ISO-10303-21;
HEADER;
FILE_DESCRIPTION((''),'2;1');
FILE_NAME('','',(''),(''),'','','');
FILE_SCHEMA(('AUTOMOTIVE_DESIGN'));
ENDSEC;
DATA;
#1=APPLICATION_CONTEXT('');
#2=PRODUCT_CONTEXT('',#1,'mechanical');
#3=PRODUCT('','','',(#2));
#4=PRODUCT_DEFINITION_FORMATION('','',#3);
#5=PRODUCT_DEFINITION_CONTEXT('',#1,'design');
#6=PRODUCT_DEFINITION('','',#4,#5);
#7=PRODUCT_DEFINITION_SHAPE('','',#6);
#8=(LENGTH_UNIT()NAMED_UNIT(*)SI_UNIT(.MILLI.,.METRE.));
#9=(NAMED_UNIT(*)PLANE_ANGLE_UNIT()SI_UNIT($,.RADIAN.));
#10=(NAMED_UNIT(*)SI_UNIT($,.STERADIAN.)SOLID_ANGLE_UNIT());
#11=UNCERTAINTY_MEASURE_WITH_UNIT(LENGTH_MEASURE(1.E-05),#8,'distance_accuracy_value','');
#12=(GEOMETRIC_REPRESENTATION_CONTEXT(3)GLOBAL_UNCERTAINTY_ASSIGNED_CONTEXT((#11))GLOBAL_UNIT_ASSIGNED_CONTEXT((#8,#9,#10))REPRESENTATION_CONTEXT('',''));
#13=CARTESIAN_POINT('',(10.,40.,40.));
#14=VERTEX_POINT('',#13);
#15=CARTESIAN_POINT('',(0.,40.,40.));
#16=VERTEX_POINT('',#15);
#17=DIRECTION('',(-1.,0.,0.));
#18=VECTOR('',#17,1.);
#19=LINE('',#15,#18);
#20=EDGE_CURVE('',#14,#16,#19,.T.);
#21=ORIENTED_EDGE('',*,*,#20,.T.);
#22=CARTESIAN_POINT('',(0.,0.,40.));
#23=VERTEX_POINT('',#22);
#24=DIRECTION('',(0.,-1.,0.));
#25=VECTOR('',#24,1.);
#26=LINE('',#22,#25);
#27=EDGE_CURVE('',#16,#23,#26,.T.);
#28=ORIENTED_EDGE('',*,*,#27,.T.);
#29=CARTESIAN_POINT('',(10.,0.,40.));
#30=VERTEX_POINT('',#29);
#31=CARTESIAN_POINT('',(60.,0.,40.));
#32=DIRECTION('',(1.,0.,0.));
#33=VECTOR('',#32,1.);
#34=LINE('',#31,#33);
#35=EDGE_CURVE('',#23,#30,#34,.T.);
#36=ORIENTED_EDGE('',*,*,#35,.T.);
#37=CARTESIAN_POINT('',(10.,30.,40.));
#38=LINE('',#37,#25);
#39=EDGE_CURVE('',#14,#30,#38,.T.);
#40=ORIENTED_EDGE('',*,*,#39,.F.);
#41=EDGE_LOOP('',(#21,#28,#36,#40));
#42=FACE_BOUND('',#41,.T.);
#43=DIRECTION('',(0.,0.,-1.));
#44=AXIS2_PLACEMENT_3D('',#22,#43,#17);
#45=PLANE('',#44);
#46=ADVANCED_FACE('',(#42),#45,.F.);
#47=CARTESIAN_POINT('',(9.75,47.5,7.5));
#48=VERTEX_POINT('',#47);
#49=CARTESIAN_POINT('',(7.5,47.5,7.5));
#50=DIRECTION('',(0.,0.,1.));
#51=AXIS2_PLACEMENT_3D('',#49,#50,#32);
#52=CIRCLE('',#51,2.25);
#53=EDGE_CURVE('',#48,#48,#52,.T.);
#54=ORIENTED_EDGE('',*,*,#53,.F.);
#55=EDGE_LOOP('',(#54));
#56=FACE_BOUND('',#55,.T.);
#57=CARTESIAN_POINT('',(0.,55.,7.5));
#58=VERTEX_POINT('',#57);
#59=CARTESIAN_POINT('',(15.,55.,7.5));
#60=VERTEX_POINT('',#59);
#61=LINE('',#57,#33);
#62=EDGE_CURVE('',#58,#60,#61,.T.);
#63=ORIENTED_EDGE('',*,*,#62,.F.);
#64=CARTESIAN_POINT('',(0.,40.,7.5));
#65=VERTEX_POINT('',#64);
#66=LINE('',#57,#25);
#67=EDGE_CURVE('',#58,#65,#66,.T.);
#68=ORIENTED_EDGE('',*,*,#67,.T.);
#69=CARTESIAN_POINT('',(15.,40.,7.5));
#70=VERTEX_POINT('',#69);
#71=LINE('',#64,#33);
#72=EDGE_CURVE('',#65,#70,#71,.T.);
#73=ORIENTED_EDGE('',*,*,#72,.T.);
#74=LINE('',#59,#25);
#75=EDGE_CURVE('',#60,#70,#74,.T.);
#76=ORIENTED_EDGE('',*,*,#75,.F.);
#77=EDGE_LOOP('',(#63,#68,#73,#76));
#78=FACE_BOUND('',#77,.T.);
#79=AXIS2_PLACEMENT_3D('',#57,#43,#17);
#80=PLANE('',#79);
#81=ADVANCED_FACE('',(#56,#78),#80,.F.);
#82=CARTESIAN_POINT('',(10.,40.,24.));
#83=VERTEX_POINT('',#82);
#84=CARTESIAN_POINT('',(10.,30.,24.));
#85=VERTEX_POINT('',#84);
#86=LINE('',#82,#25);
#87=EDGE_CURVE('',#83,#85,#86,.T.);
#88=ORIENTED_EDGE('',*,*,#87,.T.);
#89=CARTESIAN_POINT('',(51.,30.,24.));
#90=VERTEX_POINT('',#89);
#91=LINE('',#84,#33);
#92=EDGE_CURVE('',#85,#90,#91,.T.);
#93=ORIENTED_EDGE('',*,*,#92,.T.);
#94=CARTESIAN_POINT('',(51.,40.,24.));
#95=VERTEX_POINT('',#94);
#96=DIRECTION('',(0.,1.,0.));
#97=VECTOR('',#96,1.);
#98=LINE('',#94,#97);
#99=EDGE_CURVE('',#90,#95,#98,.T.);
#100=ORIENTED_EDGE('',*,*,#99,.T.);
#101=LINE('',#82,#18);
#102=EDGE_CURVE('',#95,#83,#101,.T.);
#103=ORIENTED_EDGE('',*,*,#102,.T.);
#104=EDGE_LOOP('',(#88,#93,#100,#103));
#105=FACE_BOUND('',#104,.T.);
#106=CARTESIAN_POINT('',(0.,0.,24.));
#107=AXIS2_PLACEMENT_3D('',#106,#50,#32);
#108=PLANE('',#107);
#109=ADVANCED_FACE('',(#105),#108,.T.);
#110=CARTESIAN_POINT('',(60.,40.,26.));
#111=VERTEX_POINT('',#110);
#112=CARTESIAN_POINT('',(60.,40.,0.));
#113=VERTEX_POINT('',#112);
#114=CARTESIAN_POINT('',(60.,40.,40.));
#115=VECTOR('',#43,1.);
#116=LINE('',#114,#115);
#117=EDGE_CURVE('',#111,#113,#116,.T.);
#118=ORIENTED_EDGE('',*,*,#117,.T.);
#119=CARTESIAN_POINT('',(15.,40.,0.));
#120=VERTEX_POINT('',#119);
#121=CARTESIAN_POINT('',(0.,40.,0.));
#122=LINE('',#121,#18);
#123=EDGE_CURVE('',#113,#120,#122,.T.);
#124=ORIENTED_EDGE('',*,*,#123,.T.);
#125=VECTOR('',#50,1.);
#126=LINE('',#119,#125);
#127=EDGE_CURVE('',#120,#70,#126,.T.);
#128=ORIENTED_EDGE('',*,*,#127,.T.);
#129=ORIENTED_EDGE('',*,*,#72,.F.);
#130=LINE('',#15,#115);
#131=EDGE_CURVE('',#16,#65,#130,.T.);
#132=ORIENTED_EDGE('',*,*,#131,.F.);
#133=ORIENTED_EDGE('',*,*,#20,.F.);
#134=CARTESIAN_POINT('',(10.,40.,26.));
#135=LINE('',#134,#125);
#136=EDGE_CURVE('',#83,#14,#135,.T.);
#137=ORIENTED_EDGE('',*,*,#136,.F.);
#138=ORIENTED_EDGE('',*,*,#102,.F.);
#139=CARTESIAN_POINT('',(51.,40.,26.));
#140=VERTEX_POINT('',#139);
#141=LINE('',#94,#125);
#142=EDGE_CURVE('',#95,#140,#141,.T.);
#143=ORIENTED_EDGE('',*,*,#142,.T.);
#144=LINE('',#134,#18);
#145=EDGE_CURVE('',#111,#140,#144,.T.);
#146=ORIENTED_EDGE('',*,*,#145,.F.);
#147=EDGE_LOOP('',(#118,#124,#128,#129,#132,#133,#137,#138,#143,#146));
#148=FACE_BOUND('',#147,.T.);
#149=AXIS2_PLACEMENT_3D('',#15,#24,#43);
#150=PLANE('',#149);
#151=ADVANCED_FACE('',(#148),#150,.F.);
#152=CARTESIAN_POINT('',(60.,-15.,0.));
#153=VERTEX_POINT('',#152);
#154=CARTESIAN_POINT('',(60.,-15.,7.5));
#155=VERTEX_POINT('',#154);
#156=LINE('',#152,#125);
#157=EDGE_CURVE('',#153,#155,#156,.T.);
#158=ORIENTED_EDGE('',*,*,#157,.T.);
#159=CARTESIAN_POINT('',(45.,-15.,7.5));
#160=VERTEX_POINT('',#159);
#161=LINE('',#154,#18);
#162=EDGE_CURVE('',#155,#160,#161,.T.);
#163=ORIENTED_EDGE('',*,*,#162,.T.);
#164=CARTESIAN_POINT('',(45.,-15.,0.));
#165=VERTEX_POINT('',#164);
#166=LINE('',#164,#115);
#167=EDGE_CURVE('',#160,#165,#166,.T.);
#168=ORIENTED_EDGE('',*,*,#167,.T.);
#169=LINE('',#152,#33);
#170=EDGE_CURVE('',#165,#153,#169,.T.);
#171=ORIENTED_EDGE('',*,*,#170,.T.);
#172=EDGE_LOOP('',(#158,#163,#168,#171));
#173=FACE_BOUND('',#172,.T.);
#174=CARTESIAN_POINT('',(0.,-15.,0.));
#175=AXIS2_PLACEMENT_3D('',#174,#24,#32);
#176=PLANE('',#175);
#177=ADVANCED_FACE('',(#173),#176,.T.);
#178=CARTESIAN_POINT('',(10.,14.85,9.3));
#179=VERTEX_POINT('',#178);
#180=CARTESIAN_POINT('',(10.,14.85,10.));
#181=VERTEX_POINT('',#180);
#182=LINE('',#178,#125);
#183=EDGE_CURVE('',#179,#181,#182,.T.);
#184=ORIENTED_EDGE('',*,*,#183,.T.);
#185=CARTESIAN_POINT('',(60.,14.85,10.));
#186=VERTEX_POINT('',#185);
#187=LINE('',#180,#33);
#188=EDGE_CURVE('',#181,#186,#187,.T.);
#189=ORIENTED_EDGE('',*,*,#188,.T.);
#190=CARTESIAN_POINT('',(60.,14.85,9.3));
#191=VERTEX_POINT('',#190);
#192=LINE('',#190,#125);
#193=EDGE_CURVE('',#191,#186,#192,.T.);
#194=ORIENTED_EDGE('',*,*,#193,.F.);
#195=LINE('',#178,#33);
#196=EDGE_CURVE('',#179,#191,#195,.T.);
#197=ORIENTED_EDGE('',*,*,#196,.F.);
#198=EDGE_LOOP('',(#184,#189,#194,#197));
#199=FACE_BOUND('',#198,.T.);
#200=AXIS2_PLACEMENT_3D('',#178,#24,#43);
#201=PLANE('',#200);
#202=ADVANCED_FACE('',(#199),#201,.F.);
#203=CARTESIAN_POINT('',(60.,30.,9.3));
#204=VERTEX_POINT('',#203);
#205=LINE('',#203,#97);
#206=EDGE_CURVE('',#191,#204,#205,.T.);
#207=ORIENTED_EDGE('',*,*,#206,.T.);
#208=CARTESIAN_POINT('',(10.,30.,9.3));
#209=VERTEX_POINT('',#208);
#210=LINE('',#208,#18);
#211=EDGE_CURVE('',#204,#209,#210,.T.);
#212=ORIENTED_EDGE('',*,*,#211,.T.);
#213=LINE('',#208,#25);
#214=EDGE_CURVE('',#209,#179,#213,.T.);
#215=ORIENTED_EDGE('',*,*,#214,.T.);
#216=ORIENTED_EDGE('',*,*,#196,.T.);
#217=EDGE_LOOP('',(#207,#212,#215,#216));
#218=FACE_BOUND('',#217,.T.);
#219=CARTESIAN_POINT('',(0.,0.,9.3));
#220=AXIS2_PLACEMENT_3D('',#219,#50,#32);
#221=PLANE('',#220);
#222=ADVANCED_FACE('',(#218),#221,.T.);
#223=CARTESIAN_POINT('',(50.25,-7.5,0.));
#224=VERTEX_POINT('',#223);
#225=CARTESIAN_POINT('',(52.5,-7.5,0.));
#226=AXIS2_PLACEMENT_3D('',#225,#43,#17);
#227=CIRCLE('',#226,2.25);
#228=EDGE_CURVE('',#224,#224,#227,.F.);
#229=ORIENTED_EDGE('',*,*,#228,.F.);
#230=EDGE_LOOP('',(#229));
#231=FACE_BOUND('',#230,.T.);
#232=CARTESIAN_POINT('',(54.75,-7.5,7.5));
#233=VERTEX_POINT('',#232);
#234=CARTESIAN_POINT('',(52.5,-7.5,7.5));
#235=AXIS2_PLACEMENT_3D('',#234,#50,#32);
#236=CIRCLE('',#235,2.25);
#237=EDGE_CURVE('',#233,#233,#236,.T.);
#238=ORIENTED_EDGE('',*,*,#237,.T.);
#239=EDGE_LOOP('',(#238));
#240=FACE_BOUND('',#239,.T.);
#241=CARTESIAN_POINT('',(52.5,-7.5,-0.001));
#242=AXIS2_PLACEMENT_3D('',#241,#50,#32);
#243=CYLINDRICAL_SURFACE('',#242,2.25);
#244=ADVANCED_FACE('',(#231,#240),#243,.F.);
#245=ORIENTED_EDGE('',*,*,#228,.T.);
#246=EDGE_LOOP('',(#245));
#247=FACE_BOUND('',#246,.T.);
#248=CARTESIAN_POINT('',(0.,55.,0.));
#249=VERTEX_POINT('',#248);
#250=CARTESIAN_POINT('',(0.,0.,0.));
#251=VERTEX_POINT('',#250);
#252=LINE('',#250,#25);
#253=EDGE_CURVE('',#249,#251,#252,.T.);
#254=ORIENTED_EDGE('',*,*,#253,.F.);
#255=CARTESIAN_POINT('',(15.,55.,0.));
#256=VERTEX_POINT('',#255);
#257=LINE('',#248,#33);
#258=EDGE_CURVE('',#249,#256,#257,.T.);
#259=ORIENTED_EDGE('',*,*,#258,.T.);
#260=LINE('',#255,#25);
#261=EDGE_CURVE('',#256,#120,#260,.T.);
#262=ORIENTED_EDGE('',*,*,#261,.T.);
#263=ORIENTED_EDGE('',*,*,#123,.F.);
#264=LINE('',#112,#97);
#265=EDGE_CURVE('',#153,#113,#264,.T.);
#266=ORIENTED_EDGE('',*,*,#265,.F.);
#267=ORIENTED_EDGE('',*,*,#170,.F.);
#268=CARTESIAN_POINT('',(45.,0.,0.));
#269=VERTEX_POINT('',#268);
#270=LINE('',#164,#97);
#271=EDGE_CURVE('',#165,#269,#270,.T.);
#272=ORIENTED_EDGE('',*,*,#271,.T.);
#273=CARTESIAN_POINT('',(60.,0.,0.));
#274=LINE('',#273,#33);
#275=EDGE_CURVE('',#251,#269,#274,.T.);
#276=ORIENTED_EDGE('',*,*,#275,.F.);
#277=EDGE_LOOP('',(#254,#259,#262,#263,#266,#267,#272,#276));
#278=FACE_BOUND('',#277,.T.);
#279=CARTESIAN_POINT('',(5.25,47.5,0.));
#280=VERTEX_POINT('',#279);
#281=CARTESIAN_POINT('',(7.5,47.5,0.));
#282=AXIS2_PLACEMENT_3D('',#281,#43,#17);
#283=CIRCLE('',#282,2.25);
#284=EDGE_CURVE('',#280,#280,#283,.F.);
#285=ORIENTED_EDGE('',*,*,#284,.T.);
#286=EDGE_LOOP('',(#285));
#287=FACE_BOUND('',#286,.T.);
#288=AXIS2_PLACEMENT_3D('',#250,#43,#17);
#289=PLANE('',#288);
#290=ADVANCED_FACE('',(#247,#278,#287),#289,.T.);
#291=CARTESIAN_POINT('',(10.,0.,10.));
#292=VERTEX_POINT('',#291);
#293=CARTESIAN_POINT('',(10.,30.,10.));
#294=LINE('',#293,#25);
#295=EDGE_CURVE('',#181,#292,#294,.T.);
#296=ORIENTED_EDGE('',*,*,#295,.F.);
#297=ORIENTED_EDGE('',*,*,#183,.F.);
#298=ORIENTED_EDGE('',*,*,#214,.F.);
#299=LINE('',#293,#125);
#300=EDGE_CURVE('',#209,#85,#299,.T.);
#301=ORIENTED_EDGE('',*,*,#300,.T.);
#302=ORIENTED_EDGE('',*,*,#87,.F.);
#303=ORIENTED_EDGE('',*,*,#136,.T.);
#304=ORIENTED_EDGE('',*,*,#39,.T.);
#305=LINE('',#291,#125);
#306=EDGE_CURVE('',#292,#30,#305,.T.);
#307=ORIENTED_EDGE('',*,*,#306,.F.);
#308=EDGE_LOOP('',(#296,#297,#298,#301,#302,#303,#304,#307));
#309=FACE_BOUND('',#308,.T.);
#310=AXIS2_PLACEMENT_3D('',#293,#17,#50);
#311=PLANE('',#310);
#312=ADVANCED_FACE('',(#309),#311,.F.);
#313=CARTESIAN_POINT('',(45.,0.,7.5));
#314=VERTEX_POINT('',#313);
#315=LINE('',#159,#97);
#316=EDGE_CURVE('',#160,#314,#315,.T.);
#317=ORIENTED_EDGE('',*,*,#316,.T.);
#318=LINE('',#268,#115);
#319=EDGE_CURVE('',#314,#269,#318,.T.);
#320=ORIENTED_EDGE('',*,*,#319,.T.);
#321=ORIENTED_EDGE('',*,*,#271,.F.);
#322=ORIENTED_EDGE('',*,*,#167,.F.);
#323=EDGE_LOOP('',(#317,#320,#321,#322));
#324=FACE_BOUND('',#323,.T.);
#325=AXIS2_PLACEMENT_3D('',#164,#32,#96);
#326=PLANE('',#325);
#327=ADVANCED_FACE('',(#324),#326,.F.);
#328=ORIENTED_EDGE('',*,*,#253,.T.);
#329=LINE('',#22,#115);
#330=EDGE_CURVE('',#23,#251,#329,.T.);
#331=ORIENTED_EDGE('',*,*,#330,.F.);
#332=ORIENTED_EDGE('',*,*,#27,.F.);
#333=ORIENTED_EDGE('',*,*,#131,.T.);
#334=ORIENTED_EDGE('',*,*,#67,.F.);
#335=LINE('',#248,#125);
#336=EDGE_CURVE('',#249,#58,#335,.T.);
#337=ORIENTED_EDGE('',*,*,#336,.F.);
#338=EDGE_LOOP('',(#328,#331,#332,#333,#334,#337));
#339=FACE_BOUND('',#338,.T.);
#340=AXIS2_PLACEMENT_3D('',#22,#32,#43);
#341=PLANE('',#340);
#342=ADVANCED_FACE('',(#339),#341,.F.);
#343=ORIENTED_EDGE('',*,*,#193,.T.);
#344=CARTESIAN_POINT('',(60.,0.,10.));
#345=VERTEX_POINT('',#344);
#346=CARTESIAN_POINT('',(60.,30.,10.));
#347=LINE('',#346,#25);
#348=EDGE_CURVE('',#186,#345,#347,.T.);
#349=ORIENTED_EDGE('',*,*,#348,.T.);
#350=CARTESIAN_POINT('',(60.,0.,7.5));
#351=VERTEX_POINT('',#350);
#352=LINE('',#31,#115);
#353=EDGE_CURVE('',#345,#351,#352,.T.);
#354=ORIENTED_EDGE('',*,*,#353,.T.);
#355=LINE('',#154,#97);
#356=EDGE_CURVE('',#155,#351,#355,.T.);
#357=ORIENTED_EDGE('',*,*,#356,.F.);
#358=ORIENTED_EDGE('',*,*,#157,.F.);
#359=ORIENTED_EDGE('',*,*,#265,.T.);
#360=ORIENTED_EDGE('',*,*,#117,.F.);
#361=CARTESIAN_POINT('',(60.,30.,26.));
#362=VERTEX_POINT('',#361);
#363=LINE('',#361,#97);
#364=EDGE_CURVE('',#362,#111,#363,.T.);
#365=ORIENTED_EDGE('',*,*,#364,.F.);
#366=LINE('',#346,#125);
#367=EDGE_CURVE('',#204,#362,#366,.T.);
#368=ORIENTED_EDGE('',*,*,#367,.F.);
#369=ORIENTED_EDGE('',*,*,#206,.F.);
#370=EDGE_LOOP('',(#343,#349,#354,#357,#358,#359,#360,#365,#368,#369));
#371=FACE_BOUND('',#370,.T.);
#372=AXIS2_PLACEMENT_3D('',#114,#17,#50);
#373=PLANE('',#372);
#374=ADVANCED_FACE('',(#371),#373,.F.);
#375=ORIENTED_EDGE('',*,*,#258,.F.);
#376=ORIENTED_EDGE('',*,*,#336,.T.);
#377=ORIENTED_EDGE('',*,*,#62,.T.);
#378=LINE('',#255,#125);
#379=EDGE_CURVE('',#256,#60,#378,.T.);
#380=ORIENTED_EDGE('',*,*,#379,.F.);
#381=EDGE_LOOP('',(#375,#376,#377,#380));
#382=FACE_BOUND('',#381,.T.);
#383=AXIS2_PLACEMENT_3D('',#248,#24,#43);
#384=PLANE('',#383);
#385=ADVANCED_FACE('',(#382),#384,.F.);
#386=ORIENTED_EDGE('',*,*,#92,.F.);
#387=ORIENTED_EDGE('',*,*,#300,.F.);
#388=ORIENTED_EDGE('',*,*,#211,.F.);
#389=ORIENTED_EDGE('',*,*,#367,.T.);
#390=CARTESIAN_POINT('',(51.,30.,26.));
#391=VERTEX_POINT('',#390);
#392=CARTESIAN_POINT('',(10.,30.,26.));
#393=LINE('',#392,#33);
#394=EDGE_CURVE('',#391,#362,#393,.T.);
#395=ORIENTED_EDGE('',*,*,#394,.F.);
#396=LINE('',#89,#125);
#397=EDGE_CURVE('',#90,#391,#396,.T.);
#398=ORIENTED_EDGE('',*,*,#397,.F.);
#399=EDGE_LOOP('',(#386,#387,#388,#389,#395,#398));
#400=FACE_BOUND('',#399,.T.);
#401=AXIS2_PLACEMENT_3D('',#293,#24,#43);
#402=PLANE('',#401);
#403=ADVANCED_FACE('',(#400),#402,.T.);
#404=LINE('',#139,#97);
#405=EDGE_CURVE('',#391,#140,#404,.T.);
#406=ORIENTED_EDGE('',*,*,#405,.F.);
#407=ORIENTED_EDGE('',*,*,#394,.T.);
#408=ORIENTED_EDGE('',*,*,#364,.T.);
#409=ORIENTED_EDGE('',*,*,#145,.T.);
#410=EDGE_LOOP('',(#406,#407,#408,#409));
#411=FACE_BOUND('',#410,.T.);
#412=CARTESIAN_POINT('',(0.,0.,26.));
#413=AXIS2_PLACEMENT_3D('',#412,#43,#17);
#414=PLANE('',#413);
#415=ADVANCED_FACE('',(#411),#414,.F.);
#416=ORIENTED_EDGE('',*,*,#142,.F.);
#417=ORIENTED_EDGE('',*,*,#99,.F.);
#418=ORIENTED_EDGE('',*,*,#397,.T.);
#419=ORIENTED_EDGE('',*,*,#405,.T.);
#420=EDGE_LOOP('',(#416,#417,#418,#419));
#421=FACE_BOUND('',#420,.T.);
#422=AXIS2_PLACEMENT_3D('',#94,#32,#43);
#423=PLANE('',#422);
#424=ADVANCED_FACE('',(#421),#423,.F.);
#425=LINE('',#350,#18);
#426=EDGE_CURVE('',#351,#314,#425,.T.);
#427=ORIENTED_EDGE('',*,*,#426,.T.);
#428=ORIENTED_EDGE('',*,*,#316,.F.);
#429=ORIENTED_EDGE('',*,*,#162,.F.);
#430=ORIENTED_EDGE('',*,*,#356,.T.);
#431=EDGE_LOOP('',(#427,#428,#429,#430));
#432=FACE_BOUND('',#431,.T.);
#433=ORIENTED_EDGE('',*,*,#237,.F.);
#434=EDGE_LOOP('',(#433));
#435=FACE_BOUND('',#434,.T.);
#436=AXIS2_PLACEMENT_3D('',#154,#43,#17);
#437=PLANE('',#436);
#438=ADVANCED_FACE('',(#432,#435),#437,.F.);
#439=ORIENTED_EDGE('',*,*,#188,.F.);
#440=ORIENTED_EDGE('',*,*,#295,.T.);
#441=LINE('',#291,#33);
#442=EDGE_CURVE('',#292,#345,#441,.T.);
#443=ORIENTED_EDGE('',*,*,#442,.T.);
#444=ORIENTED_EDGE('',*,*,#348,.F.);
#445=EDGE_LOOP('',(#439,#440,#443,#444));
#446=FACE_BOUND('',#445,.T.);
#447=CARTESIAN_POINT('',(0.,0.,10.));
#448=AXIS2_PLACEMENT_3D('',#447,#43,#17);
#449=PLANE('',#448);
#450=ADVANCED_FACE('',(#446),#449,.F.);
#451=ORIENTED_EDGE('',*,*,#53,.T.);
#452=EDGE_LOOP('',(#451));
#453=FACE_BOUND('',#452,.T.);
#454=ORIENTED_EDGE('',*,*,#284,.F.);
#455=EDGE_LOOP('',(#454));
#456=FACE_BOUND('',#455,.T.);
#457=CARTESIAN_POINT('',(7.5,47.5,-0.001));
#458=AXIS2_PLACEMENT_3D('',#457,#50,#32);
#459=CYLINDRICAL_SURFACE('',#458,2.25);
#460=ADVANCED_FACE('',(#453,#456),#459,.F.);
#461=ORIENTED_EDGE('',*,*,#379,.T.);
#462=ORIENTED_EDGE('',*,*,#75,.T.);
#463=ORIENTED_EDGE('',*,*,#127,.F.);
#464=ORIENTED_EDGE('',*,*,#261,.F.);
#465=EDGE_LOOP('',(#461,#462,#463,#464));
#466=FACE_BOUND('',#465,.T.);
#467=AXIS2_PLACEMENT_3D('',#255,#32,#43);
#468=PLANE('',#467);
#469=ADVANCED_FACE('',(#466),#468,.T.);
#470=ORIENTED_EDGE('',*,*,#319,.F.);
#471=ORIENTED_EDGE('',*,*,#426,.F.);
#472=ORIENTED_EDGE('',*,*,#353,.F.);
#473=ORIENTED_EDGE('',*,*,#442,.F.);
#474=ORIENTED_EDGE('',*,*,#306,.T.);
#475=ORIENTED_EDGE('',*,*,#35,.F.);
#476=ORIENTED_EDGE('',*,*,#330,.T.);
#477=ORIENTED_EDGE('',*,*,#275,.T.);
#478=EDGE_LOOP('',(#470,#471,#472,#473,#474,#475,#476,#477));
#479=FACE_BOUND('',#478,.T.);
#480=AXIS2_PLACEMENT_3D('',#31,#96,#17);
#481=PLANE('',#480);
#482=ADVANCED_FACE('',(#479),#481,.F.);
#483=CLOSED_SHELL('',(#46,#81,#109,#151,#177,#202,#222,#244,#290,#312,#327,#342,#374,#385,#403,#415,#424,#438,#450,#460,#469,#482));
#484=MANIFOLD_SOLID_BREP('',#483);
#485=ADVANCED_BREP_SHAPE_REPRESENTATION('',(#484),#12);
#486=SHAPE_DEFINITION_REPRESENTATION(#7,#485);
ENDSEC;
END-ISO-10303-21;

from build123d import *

# Parameters (mm, degrees)
SKETCH1_W           = 60
SKETCH1_H           = 40
BOSS_EXTRUDE1_DEPTH = 40
SKETCH2_W           = 50
SKETCH2_H           = 30
CUT_EXTRUDE1_DEPTH  = 30
SKETCH3_W           = 50
SKETCH3_H           = 15.15
CUT_EXTRUDE2_DEPTH  = 0.7
SKETCH4_W           = 50
SKETCH4_H           = 10
CUT_EXTRUDE3_DEPTH  = 14
SKETCH5_W           = 41
SKETCH5_H           = 10
CUT_EXTRUDE4_DEPTH  = 2
SKETCH6_W           = 15
SKETCH6_H           = 7.5
BOSS_EXTRUDE3_DEPTH = 15
SKETCH7_W           = 15
SKETCH7_H           = 7.5
BOSS_EXTRUDE4_DEPTH = 15
CUT_EXTRUDE5_REACH  = 9.5
SKETCH8_R           = 2.25


with BuildPart() as part:
    # Sketch1 → Boss-Extrude1 (new body)
    with BuildSketch(Plane.XY):
        with Locations((30, 20)):
            Rectangle(SKETCH1_W, SKETCH1_H)
    extrude(amount=BOSS_EXTRUDE1_DEPTH)

    # Sketch2 → Cut-Extrude1 (cut)
    with BuildSketch(Plane.XY.offset(40)):
        with Locations((35, 15)):
            Rectangle(SKETCH2_W, SKETCH2_H)
    extrude(amount=-CUT_EXTRUDE1_DEPTH, mode=Mode.SUBTRACT)

    # Sketch3 → Cut-Extrude2 (cut)
    with BuildSketch(Plane.XY.offset(10)):
        with Locations((35, 22.425)):
            Rectangle(SKETCH3_W, SKETCH3_H)
    extrude(amount=-CUT_EXTRUDE2_DEPTH, mode=Mode.SUBTRACT)

    # Sketch4 → Cut-Extrude3 (cut)
    with BuildSketch(Plane.XY.offset(40)):
        with Locations((35, 35)):
            Rectangle(SKETCH4_W, SKETCH4_H)
    extrude(amount=-CUT_EXTRUDE3_DEPTH, mode=Mode.SUBTRACT)

    # Sketch5 → Cut-Extrude4 (cut)
    with BuildSketch(Plane.XY.offset(26)):
        with Locations((30.5, 35)):
            Rectangle(SKETCH5_W, SKETCH5_H)
    extrude(amount=-CUT_EXTRUDE4_DEPTH, mode=Mode.SUBTRACT)

    # Sketch6 → Boss-Extrude3 (add)
    with BuildSketch(Plane.XZ):
        with Locations((52.5, 3.75)):
            Rectangle(SKETCH6_W, SKETCH6_H)
    extrude(amount=BOSS_EXTRUDE3_DEPTH)

    # Sketch7 → Boss-Extrude4 (add)
    with BuildSketch(Plane(origin=(0, 40, 0), x_dir=(1, 0, 0), z_dir=(0, 1, 0))):
        with Locations((7.5, -3.75)):
            Rectangle(SKETCH7_W, SKETCH7_H)
    extrude(amount=BOSS_EXTRUDE4_DEPTH)

    # Sketch8 → Cut-Extrude5 (cut, up to next)
    with BuildSketch(Plane.XY.offset(7.5), mode=Mode.PRIVATE) as cut_extrude5_sk1:
        with Locations((52.5, -7.5)):
            Circle(SKETCH8_R)
    cut_extrude5_tool1 = extrude(cut_extrude5_sk1.sketch, amount=-CUT_EXTRUDE5_REACH, mode=Mode.PRIVATE) & part.part
    add(cut_extrude5_tool1.solids().sort_by_distance((52.5, -7.5, 7.5))[0], mode=Mode.SUBTRACT)
    # Sketch8 → Cut-Extrude5 (cut, up to next)
    with BuildSketch(Plane.XY.offset(7.5), mode=Mode.PRIVATE) as cut_extrude5_sk2:
        with Locations((7.5, 47.5)):
            Circle(SKETCH8_R)
    cut_extrude5_tool2 = extrude(cut_extrude5_sk2.sketch, amount=-CUT_EXTRUDE5_REACH, mode=Mode.PRIVATE) & part.part
    add(cut_extrude5_tool2.solids().sort_by_distance((7.5, 47.5, 7.5))[0], mode=Mode.SUBTRACT)


solid = part.part
